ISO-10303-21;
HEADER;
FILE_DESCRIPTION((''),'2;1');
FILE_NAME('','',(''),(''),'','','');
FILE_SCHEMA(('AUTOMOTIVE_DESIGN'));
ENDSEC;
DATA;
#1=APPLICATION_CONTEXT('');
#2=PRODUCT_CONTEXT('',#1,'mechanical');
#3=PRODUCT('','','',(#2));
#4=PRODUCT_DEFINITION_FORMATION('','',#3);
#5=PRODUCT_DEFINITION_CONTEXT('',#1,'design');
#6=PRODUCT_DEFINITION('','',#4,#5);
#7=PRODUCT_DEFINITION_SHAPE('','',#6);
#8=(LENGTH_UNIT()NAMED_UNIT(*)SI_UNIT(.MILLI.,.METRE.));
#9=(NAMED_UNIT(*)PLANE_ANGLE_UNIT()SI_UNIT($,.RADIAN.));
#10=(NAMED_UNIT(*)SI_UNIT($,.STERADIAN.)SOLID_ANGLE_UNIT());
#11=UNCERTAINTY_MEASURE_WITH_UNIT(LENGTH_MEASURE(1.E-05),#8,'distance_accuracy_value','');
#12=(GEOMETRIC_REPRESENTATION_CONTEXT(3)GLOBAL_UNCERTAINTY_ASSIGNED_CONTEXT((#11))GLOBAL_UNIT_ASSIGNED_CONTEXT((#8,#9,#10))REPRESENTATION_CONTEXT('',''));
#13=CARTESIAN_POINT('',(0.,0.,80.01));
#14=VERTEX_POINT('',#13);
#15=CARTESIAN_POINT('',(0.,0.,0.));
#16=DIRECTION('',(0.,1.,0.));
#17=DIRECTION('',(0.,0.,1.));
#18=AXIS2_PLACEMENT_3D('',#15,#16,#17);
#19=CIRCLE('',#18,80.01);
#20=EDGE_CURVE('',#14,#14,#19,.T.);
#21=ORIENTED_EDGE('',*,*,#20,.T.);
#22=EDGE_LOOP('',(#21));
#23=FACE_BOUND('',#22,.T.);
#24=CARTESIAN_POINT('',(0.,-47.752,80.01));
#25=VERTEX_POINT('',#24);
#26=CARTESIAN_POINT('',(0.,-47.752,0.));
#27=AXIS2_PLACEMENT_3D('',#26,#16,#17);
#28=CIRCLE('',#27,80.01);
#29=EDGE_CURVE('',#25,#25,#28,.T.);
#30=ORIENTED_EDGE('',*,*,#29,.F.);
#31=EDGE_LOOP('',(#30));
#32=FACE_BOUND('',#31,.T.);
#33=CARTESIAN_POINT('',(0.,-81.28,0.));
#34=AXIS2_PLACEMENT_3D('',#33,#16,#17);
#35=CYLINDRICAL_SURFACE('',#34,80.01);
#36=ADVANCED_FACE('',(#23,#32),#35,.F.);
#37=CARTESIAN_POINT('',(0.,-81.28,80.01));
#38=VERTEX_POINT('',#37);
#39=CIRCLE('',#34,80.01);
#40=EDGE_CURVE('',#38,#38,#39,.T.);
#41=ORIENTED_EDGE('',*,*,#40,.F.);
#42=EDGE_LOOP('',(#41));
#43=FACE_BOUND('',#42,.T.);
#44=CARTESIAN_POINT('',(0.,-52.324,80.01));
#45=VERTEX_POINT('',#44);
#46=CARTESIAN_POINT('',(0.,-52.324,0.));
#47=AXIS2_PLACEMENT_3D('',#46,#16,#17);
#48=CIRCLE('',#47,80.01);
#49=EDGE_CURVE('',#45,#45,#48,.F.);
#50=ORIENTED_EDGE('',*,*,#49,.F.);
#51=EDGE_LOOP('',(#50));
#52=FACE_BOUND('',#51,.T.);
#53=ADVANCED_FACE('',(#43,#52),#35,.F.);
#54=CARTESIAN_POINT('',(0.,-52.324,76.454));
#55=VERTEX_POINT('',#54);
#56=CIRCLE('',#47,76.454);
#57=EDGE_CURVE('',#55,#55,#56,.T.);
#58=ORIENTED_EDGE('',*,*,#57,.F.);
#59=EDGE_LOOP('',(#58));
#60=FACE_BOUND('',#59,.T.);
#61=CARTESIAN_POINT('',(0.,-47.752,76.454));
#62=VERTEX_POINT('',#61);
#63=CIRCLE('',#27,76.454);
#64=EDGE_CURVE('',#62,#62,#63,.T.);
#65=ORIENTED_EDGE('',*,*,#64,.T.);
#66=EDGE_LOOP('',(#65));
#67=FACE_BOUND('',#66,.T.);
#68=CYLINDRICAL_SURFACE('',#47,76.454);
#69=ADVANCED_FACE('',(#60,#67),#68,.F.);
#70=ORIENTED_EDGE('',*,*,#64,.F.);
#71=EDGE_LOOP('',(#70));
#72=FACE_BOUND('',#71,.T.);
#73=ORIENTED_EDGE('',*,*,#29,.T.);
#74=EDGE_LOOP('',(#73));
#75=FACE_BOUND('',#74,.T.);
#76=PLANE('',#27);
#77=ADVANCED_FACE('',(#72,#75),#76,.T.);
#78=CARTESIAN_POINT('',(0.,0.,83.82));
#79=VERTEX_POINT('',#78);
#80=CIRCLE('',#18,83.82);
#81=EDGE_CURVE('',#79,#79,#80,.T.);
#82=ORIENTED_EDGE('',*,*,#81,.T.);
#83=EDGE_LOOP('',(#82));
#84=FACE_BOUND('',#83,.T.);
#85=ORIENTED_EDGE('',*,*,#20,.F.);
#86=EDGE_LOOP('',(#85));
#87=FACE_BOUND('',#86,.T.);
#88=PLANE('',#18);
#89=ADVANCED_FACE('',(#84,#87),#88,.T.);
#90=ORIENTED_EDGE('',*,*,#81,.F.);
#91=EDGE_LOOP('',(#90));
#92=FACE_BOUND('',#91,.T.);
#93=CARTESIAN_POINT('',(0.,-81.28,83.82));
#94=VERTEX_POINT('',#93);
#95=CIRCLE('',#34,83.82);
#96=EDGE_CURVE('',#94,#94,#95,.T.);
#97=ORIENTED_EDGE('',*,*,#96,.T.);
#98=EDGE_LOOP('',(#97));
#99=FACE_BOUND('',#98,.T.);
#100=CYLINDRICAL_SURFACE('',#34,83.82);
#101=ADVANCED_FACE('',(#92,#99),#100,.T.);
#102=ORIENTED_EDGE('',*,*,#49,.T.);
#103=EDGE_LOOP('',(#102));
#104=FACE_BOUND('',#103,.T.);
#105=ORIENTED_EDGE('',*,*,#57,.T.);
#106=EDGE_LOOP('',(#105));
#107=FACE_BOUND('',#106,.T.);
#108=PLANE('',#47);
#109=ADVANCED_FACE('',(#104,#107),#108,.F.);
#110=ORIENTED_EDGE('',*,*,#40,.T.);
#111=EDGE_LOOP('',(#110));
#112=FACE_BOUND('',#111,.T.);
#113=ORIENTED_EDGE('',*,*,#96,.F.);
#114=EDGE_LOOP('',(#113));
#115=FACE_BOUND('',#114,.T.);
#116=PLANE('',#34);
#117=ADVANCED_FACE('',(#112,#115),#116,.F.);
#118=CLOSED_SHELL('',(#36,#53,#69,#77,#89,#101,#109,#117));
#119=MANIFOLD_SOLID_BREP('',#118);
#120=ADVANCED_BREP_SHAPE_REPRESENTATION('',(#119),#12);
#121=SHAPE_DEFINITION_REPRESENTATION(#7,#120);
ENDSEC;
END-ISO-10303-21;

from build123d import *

# Parameters (mm, degrees)
CROQUIS2_R              = 83.82
CROQUIS2_R_2            = 80.01
SALIENTE_EXTRUIR1_DEPTH = 81.28
CROQUIS4_R              = 80.01
CROQUIS4_R_2            = 76.454
SALIENTE_EXTRUIR2_DEPTH = 4.572


with BuildPart() as part:
    # Croquis2 → Saliente-Extruir1 (new body)
    with BuildSketch(Plane(origin=(0, 0, 0), x_dir=(1, 0, 0), z_dir=(0, 1, 0))):
        with Locations(Location((0, 0, 0), (0, 0, 270))):
            Circle(CROQUIS2_R)
        with Locations(Location((0, 0, 0), (0, 0, 270))):
            Circle(CROQUIS2_R_2, mode=Mode.SUBTRACT)
    extrude(amount=-SALIENTE_EXTRUIR1_DEPTH)

    # Croquis4 → Saliente-Extruir2 (add)
    with BuildSketch(Plane(origin=(0, -47.752, 0), x_dir=(1, 0, 0), z_dir=(0, 1, 0))):
        with Locations(Location((0, 0, 0), (0, 0, 270))):
            Circle(CROQUIS4_R)
        with Locations(Location((0, 0, 0), (0, 0, 270))):
            Circle(CROQUIS4_R_2, mode=Mode.SUBTRACT)
    extrude(amount=-SALIENTE_EXTRUIR2_DEPTH)


solid = part.part
